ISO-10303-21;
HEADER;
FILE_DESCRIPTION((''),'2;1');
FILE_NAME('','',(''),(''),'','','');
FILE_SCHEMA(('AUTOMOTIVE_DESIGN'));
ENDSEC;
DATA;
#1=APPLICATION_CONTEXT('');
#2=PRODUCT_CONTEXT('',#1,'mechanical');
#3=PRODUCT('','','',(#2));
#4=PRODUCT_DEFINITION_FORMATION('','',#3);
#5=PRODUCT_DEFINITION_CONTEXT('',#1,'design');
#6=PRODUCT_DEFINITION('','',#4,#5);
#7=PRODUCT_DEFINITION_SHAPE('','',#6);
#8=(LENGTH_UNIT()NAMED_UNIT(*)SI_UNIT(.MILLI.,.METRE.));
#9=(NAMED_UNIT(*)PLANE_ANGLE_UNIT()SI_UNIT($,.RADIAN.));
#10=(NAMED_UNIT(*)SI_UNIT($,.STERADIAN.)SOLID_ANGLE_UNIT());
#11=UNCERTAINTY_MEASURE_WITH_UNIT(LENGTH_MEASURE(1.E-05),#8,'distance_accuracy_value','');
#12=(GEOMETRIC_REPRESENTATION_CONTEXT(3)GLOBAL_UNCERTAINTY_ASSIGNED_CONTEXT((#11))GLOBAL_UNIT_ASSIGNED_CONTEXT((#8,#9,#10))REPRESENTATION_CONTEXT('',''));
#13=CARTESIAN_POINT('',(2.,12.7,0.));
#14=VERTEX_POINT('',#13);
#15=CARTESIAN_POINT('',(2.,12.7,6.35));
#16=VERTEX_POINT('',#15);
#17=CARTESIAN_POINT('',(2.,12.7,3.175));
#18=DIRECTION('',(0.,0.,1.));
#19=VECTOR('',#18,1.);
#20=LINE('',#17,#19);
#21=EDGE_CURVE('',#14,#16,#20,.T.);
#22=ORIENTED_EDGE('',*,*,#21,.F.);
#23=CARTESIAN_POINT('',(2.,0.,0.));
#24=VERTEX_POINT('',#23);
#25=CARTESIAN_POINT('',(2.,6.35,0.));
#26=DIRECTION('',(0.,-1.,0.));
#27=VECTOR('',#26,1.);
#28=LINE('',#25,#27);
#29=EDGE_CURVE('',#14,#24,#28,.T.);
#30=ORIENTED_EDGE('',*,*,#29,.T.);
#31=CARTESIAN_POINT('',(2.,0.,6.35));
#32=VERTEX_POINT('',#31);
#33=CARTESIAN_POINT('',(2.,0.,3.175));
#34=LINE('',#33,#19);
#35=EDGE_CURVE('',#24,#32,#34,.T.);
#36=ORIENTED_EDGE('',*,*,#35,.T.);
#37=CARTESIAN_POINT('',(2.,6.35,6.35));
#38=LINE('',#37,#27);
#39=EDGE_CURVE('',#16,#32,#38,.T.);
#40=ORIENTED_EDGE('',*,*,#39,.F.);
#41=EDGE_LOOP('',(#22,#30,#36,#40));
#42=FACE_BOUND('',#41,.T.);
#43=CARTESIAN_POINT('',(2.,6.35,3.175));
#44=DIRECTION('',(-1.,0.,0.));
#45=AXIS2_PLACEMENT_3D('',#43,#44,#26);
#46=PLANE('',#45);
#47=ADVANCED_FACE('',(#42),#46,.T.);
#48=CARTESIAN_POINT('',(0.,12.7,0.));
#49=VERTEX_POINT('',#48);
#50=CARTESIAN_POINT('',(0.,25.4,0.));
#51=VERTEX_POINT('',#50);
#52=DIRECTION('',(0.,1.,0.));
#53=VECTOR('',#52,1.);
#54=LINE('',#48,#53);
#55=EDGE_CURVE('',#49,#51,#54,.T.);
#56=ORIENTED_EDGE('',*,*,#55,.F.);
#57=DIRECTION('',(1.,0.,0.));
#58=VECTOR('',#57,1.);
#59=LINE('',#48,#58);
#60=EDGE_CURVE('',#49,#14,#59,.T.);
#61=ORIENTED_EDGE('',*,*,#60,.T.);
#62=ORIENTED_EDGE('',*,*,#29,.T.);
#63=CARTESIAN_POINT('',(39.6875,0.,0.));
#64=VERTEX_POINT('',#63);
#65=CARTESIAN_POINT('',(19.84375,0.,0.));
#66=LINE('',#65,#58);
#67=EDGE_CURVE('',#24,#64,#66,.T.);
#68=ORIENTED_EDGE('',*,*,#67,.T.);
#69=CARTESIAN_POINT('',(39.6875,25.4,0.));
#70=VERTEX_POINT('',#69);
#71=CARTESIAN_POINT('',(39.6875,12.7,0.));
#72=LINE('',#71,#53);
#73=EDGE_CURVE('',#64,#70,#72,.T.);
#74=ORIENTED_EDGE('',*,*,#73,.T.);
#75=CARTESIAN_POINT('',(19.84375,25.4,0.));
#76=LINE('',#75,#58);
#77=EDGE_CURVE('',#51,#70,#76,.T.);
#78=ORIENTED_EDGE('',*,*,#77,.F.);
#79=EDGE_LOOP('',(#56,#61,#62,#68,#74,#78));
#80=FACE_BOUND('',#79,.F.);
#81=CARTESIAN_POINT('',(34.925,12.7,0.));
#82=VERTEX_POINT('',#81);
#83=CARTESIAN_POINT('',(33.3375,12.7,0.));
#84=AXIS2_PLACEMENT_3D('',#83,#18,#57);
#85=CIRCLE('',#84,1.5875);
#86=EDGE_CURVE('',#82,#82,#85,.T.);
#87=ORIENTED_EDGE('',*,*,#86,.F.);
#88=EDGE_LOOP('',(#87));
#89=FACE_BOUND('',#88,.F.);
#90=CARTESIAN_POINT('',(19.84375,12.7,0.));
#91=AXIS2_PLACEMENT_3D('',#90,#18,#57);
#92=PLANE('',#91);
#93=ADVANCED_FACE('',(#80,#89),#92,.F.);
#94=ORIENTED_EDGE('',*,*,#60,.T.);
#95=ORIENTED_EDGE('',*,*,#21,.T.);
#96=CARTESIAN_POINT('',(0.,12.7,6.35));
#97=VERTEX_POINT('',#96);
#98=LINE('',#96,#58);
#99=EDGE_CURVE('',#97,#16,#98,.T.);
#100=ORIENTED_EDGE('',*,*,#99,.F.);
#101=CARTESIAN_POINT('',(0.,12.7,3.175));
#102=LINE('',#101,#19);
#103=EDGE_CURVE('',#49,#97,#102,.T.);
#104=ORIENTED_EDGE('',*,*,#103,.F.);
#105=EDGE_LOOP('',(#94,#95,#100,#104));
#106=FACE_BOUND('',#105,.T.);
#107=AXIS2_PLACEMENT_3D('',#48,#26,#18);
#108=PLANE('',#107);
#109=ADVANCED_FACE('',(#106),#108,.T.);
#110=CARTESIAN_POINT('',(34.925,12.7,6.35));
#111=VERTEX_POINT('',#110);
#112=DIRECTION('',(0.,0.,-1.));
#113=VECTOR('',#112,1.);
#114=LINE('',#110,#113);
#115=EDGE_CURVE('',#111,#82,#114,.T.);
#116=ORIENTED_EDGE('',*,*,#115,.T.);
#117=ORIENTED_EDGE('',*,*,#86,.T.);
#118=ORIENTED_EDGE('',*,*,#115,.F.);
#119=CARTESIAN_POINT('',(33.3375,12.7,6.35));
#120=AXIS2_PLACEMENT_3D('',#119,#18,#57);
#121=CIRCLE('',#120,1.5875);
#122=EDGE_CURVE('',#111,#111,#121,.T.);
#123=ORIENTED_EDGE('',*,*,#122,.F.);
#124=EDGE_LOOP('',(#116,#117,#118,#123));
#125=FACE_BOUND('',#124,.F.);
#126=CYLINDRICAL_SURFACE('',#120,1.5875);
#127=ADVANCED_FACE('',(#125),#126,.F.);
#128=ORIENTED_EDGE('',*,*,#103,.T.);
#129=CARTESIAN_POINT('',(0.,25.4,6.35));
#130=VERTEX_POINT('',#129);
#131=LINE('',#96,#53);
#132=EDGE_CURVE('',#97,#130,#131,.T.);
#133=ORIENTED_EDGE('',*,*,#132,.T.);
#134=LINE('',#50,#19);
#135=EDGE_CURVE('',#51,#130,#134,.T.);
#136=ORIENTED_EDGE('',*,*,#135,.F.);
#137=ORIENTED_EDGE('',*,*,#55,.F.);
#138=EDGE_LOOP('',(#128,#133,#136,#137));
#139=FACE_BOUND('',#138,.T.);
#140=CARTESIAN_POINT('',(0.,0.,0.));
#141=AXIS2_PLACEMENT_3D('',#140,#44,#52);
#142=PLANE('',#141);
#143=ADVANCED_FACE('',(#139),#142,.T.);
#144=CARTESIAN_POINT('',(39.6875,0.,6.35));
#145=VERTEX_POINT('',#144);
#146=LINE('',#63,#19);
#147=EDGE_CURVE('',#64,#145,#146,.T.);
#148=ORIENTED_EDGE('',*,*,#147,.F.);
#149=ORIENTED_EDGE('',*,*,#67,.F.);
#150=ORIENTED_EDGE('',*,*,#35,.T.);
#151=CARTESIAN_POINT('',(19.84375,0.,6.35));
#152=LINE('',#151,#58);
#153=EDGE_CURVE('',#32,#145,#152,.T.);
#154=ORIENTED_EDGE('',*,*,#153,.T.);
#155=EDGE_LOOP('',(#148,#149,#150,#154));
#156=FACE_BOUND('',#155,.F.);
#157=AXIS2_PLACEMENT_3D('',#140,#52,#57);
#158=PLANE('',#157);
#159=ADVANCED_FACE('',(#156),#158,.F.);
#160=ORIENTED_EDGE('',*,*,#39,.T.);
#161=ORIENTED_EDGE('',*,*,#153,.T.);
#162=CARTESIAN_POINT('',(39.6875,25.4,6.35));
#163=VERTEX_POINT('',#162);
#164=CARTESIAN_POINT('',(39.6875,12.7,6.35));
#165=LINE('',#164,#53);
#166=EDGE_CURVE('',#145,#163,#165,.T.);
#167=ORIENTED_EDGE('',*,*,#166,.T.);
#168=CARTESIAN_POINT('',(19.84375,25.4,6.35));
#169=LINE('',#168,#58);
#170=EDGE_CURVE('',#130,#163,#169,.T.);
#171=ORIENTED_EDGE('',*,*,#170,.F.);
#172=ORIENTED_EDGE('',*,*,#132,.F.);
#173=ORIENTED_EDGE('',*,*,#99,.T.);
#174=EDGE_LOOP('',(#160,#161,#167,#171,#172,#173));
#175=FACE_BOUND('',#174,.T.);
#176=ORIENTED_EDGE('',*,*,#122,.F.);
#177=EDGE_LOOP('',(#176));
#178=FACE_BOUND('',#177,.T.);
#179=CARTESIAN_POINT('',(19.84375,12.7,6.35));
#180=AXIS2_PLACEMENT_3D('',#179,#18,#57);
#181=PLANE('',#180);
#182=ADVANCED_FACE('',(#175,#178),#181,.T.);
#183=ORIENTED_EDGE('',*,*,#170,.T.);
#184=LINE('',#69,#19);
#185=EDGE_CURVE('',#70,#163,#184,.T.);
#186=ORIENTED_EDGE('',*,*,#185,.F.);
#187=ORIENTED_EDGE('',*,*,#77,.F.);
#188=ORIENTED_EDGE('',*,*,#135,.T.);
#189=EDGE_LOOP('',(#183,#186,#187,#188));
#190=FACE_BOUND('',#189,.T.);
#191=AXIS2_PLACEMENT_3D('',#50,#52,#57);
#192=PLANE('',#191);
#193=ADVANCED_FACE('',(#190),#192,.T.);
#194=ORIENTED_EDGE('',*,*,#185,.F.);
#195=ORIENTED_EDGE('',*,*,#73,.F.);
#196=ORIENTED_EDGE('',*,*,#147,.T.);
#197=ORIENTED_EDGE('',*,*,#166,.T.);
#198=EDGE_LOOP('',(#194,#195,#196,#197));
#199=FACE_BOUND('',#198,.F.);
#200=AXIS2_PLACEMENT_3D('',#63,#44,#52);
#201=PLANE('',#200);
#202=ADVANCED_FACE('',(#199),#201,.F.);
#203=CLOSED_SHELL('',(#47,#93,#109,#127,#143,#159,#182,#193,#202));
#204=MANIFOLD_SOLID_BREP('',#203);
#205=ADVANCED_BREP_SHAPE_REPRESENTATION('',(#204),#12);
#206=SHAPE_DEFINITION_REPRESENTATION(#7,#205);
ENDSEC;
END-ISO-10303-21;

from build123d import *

# Parameters (mm, degrees)
F0_W     = 39.6875
F0_H     = 25.4
F1_DEPTH = 6.35
F2_W     = 12.7
F2_H     = 6.35
F3_DEPTH = 2
F4_R     = 1.5875
F5_DEPTH = 25.4


with BuildPart() as f1:
    # F0 (on Top) → F1 (new body)
    with BuildSketch(Plane.XY):
        with Locations((19.84375, 12.7)):
            Rectangle(F0_W, F0_H)
    extrude(amount=F1_DEPTH)

    # F2 (on face) → F3 (cut)
    with BuildSketch(Plane(origin=(0, 0, 0), x_dir=(0, -1, 0), z_dir=(-1, 0, 0))):
        with Locations((-6.35, 3.175)):
            Rectangle(F2_W, F2_H)
    extrude(amount=-F3_DEPTH, mode=Mode.SUBTRACT)

    # F4 (on face) → F5 (cut)
    with BuildSketch(Plane.XY.offset(6.35)):
        with Locations((33.3375, 12.7)):
            Circle(F4_R)
    extrude(amount=-F5_DEPTH, mode=Mode.SUBTRACT)


solid = f1.part
